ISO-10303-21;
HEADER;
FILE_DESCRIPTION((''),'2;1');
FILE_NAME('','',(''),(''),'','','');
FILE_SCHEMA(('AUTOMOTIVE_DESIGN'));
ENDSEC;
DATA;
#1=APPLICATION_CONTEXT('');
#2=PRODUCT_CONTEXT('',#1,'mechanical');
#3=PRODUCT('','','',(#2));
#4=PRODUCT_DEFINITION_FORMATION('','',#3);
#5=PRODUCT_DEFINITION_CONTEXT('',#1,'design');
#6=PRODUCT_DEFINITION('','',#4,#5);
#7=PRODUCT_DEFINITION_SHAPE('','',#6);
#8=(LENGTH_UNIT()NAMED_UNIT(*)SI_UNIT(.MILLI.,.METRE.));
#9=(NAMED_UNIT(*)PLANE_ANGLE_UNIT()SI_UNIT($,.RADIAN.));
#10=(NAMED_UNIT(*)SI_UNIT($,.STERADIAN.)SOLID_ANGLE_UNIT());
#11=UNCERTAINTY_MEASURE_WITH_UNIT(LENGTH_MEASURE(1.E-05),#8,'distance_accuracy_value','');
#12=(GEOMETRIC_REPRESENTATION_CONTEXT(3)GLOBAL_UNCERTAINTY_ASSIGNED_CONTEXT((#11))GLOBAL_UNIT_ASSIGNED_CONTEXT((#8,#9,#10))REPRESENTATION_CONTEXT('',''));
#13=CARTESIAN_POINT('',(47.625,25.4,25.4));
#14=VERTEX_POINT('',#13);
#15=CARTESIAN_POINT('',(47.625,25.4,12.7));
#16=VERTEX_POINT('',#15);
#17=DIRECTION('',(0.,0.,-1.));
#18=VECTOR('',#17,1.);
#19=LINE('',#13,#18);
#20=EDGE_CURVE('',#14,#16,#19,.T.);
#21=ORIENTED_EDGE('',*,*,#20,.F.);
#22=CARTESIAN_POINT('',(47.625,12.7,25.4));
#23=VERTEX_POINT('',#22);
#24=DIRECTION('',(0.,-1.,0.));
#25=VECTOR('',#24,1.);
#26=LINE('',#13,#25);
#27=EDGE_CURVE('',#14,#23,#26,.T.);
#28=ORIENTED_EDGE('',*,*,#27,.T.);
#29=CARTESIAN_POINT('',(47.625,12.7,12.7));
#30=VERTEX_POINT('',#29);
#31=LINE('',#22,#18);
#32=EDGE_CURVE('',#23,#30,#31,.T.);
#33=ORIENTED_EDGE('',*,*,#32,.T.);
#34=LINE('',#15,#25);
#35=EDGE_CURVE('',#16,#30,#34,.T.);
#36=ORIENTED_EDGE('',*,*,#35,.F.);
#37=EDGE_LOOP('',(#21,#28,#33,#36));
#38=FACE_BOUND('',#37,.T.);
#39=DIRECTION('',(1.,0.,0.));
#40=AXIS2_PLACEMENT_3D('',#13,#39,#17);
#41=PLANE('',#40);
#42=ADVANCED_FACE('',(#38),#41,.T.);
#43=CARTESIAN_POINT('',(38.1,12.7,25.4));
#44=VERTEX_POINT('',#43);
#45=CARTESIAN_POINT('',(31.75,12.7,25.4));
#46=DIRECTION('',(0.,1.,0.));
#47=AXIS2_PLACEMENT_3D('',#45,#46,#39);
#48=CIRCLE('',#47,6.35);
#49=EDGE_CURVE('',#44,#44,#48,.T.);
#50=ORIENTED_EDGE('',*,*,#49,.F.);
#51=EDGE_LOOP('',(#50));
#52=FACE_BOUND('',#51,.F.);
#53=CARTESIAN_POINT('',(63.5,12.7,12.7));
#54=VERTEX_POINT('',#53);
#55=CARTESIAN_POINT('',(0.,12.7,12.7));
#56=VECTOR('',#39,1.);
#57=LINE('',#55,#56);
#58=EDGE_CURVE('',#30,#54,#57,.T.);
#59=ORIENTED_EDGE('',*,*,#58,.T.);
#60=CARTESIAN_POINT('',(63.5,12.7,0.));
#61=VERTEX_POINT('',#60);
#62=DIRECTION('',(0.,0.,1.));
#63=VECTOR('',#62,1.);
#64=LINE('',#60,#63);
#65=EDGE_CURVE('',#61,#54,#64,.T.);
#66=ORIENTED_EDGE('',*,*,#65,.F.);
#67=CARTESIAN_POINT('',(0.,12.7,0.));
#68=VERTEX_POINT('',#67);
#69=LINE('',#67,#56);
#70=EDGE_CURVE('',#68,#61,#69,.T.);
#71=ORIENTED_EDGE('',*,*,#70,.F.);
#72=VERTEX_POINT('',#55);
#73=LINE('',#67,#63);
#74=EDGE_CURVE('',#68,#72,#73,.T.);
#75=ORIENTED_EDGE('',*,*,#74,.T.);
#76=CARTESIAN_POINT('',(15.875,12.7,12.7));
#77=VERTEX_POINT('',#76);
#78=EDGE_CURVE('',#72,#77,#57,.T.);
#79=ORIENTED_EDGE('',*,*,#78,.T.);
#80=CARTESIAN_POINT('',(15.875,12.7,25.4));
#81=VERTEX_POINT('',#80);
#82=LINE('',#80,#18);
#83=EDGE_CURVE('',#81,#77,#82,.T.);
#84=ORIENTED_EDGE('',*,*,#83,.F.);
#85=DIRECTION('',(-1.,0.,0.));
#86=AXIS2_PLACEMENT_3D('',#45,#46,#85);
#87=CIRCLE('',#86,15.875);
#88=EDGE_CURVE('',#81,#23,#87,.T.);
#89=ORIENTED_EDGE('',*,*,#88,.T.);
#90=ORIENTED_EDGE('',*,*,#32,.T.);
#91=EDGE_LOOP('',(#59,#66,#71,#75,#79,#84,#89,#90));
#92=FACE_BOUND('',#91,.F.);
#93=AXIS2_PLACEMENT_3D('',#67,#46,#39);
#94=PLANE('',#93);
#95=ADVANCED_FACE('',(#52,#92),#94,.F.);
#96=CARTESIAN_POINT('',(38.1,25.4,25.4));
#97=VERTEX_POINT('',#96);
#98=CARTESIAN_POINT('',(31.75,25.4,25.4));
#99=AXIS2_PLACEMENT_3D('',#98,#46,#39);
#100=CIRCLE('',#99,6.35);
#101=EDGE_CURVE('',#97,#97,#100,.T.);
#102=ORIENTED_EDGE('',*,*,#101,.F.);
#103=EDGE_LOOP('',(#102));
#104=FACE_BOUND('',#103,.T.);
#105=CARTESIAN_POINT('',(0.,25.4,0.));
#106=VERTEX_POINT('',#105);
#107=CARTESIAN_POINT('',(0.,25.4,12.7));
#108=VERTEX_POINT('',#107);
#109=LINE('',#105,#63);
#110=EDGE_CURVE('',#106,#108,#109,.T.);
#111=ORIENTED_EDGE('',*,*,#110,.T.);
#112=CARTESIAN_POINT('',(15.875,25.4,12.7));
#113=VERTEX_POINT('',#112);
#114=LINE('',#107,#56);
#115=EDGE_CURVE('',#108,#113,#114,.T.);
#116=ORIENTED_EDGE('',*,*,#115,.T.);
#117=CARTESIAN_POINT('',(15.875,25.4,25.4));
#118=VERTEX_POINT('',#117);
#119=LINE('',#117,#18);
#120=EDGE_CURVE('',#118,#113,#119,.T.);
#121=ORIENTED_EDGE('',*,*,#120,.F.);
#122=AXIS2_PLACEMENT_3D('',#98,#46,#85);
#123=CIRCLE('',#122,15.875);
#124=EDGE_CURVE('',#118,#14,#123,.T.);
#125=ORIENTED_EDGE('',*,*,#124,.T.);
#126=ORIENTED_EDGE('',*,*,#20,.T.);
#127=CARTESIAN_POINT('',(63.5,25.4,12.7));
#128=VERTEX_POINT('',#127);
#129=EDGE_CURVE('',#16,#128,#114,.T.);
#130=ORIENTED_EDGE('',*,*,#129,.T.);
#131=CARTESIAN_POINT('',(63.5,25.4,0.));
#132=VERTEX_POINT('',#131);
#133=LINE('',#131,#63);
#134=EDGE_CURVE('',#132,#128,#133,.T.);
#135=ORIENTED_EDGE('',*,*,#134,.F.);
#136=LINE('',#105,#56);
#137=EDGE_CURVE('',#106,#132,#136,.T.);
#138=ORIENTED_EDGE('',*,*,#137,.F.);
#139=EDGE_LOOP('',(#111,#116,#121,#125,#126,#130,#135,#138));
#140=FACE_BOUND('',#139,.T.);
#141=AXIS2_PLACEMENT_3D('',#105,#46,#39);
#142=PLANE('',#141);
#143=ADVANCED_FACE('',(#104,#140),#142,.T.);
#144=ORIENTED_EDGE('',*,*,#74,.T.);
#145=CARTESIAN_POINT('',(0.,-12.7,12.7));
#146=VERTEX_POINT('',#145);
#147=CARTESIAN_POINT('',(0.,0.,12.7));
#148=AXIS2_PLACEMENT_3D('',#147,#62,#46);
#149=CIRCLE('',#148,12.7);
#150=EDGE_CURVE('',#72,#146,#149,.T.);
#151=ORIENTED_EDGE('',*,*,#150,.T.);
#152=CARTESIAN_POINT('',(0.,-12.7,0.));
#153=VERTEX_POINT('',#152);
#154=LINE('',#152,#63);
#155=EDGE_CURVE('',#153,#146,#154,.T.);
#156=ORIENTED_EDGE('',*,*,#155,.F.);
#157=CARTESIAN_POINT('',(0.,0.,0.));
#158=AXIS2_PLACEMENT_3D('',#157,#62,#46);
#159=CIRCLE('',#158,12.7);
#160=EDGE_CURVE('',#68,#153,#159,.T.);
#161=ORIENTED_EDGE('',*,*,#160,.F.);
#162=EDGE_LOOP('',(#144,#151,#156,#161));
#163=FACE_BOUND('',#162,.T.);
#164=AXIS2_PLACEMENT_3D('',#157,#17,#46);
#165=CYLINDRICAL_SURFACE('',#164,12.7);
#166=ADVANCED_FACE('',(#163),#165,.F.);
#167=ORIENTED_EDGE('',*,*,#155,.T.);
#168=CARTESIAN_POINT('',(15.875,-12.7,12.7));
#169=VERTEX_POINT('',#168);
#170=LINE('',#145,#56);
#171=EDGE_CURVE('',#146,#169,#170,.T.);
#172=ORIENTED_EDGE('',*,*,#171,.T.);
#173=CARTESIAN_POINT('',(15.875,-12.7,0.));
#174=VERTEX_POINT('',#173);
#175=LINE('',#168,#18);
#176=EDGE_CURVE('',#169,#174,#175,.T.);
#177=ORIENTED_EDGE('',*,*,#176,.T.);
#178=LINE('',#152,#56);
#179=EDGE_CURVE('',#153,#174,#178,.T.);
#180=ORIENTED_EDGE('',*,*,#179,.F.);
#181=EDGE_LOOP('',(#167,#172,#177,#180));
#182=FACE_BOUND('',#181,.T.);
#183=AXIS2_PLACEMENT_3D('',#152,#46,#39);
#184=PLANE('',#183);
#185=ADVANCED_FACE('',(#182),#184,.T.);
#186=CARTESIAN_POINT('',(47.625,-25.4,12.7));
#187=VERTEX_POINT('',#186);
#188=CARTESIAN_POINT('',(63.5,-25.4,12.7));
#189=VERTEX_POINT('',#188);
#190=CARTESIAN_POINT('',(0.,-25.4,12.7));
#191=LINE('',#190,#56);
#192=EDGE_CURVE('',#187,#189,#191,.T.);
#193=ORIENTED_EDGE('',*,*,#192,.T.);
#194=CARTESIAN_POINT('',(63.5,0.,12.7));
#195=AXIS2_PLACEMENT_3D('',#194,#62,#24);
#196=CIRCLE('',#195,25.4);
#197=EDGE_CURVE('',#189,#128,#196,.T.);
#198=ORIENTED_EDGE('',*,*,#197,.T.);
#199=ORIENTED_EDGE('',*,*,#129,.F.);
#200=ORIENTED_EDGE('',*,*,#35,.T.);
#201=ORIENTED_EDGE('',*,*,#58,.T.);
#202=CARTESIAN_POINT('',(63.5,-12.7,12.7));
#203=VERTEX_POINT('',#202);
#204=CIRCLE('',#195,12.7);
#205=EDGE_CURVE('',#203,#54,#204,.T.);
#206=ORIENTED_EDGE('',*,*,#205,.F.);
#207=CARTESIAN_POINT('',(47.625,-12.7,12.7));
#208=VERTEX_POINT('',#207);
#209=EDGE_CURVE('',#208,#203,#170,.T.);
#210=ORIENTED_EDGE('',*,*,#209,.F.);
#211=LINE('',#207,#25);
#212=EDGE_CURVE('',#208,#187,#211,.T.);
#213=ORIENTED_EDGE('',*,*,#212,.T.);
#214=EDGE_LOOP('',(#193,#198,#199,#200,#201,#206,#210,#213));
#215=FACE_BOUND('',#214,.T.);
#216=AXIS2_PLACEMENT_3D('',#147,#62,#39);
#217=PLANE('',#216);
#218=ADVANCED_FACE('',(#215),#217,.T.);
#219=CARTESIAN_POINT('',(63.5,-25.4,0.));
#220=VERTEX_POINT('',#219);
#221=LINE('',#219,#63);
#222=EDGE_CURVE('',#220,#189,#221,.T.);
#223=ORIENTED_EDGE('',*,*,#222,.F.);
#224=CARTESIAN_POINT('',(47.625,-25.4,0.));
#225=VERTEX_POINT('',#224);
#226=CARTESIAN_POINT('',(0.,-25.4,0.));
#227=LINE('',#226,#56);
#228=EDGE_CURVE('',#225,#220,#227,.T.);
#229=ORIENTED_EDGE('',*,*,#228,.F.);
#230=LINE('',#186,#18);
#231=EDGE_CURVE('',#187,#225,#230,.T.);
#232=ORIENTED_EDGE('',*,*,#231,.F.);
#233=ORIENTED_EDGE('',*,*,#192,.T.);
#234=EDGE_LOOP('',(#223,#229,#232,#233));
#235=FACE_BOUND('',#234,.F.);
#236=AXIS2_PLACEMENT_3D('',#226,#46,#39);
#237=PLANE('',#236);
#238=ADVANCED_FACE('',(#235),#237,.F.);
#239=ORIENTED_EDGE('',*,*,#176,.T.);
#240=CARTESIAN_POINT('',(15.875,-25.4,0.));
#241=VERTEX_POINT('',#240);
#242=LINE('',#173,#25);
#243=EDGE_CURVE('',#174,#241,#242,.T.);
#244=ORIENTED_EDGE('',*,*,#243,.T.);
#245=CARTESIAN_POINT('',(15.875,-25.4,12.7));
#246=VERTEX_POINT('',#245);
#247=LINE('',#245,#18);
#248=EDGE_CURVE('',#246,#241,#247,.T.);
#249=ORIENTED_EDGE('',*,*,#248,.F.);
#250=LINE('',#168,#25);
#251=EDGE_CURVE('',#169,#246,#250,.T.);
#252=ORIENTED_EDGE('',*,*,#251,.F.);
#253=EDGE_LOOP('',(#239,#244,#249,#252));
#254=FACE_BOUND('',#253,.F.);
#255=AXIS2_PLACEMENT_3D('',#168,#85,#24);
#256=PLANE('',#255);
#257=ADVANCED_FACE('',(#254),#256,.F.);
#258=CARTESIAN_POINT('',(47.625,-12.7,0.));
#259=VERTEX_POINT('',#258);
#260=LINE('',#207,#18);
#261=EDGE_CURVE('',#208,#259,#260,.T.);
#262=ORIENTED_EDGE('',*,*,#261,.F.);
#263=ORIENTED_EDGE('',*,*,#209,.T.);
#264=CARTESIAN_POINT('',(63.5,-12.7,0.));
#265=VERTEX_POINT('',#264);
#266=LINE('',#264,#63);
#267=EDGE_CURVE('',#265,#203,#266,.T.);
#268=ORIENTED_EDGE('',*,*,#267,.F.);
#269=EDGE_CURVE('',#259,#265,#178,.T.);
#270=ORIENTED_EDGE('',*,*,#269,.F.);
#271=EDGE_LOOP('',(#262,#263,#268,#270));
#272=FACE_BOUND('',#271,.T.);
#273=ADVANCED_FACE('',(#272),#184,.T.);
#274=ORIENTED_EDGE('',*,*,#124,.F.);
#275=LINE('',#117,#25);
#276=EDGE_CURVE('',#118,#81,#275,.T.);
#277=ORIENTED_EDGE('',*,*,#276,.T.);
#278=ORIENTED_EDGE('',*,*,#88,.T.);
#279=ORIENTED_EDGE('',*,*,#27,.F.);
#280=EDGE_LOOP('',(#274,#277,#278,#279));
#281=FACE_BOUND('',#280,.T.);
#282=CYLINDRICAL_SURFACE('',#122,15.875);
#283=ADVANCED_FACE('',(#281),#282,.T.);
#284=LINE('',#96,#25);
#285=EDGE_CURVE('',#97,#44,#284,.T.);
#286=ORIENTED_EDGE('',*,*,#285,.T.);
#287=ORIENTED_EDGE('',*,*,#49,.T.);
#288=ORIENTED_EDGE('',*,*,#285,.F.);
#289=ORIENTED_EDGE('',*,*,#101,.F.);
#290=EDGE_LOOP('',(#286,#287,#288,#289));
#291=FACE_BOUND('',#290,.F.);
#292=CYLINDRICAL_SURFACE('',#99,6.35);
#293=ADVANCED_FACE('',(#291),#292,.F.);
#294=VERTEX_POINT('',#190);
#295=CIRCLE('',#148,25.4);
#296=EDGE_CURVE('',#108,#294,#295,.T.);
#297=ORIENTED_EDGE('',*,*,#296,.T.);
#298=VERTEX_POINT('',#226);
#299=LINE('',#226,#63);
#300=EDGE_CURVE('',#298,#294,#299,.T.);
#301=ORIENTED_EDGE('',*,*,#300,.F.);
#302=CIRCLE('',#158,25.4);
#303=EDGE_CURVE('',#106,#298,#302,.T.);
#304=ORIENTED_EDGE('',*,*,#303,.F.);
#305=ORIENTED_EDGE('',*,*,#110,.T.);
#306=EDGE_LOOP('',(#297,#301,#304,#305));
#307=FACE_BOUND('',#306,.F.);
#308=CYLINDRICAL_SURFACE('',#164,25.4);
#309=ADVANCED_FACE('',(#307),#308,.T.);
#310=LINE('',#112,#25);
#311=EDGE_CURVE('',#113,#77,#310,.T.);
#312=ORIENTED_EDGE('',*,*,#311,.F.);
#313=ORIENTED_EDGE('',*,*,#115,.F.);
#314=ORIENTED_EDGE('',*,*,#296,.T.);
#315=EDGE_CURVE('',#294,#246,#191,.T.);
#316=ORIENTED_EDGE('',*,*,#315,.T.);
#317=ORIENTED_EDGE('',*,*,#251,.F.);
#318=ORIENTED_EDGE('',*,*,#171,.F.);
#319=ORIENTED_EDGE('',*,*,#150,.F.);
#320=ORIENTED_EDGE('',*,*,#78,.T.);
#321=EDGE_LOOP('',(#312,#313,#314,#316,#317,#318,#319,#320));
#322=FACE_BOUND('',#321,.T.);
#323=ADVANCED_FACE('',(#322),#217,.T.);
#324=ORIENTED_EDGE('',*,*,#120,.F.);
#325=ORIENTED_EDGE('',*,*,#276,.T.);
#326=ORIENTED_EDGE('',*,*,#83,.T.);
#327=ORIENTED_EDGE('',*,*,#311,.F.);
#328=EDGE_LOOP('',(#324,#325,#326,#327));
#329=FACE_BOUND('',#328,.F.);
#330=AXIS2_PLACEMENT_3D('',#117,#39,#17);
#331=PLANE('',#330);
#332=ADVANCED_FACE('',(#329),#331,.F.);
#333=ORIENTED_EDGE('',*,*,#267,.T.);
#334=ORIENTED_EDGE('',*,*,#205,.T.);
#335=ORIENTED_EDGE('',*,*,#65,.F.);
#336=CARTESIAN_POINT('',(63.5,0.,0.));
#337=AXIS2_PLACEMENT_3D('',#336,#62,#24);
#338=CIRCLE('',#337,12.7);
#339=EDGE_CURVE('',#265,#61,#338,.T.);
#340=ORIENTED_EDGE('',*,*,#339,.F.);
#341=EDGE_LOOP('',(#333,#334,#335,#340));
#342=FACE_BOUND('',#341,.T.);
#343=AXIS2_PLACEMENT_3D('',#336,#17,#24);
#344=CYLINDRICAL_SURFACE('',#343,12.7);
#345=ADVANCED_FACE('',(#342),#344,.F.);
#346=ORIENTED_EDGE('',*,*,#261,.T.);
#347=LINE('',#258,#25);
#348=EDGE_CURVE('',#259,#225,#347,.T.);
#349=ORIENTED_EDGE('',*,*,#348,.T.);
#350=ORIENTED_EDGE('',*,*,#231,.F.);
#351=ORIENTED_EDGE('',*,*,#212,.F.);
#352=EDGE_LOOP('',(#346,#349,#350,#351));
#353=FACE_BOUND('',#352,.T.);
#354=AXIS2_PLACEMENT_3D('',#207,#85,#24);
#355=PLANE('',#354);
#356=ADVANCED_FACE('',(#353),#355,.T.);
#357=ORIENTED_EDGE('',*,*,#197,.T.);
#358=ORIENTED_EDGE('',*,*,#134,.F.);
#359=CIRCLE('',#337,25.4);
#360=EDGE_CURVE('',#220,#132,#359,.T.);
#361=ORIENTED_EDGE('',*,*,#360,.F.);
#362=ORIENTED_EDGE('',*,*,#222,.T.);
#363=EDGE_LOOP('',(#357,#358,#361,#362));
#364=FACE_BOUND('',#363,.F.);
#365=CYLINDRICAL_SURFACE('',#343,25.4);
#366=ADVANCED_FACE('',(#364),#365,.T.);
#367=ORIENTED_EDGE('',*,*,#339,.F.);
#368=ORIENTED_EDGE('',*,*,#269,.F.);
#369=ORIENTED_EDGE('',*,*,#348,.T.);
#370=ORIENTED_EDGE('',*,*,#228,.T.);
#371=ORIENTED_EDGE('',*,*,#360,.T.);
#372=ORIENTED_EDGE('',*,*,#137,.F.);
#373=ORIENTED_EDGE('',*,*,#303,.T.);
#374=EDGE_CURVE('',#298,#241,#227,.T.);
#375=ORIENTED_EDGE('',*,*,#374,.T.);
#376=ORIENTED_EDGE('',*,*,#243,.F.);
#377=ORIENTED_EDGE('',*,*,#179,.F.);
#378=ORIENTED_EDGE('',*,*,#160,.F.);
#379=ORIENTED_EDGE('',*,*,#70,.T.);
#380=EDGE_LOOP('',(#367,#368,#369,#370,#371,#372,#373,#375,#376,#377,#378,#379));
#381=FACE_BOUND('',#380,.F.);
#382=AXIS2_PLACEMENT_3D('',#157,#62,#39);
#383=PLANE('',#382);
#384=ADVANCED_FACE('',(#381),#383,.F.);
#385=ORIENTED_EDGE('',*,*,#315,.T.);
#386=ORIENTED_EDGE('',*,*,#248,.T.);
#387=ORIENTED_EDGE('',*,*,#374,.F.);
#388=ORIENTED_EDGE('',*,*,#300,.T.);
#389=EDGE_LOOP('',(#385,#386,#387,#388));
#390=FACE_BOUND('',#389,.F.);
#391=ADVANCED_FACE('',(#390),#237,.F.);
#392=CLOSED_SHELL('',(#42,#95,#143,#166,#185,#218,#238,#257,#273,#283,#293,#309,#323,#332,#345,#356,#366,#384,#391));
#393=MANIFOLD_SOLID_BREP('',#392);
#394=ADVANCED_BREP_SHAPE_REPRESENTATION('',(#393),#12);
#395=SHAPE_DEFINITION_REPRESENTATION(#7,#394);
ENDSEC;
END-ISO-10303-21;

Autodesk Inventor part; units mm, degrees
ref_plane "YZ Plane" through (0, 0, 0) normal (1, 0, 0) x (0, 1, 0)
ref_plane "XZ Plane" through (0, 0, 0) normal (0, 1, 0) x (-1, 0, 0)
ref_plane "XY Plane" through (0, 0, 0) normal (0, 0, 1) x (1, 0, 0)
sketch "Sketch1" plane through (0, 0, 0) normal (0, 0, 1) x (1, 0, 0)
  arc A0 (0, 12.7) -> (0, -12.7) centre (0, 0) ccw
  arc A1 (0, 25.4) -> (0, -25.4) centre (0, 0) ccw
  arc A2 (63.5, -12.7) -> (63.5, 12.7) centre (63.5, 0) ccw
  arc A3 (63.5, -25.4) -> (63.5, 25.4) centre (63.5, 0) ccw
  line L0 (0, 12.7) -> (63.5, 12.7)
  line L1 (0, -12.7) -> (63.5, -12.7)
  line L2 (0, 25.4) -> (63.5, 25.4)
  line L3 (0, -25.4) -> (63.5, -25.4)
  dimension "d0" = 25.4
  dimension "d1" = 50.8
  dimension "d2" = 25.4
  dimension "d3" = 50.8
  dimension "d4" = 63.5
extrude "Extrusion1" add sketch "Sketch1" along normal blind 12.7
sketch "Sketch2" plane through (0, 0, 12.7) normal (0, 0, 1) x (1, 0, 0)
  line L0 (0, -25.4) -> (63.5, -25.4) projected
  line L1 (31.75, -25.4) -> (31.75, -12.7)
  line L2 (0, -12.7) -> (63.5, -12.7) projected
  line L3 (47.625, -12.7) -> (47.625, -25.4)
  line L4 (95.25, -31.75) -> (95.25, -25.4)
  line L5 (15.875, -12.7) -> (15.875, -25.4)
  line L6 (15.875, -12.7) -> (47.625, -12.7)
  line L7 (15.875, -25.4) -> (47.625, -25.4)
  point P0 (0, 0)
  dimension "d8" = 15.875
  dimension "d9" = 15.875
extrude "Extrusion2" cut sketch "Sketch2" against normal blind 12.7
sketch "Sketch4" plane through (0, 25.4, 0) normal (0, 1, 0) x (1, 0, 0)
  line L0 (63.5, 0) -> (0, 0) projected
  circle A0 centre (31.75, -25.4) radius 6.35
  arc A1 (15.875, -25.4) -> (47.625, -25.4) centre (31.75, -25.4) ccw
  line L1 (15.875, -25.4) -> (15.875, -12.7)
  line L2 (0, -12.7) -> (15.875, -12.7) projected
  line L3 (47.625, -25.4) -> (47.625, -12.7)
  line L4 (0, -12.7) -> (63.5, -12.7) projected
  line L5 (31.75, 0) -> (31.75, -12.7)
  dimension "d15" = 12.7
  dimension "d16" = 31.75
  dimension "d17" = 25.4
  dimension "d20" = 0
extrude "Extrusion3" add sketch "Sketch4" against normal blind 12.7
properties part number "HW 2 Part 4"
